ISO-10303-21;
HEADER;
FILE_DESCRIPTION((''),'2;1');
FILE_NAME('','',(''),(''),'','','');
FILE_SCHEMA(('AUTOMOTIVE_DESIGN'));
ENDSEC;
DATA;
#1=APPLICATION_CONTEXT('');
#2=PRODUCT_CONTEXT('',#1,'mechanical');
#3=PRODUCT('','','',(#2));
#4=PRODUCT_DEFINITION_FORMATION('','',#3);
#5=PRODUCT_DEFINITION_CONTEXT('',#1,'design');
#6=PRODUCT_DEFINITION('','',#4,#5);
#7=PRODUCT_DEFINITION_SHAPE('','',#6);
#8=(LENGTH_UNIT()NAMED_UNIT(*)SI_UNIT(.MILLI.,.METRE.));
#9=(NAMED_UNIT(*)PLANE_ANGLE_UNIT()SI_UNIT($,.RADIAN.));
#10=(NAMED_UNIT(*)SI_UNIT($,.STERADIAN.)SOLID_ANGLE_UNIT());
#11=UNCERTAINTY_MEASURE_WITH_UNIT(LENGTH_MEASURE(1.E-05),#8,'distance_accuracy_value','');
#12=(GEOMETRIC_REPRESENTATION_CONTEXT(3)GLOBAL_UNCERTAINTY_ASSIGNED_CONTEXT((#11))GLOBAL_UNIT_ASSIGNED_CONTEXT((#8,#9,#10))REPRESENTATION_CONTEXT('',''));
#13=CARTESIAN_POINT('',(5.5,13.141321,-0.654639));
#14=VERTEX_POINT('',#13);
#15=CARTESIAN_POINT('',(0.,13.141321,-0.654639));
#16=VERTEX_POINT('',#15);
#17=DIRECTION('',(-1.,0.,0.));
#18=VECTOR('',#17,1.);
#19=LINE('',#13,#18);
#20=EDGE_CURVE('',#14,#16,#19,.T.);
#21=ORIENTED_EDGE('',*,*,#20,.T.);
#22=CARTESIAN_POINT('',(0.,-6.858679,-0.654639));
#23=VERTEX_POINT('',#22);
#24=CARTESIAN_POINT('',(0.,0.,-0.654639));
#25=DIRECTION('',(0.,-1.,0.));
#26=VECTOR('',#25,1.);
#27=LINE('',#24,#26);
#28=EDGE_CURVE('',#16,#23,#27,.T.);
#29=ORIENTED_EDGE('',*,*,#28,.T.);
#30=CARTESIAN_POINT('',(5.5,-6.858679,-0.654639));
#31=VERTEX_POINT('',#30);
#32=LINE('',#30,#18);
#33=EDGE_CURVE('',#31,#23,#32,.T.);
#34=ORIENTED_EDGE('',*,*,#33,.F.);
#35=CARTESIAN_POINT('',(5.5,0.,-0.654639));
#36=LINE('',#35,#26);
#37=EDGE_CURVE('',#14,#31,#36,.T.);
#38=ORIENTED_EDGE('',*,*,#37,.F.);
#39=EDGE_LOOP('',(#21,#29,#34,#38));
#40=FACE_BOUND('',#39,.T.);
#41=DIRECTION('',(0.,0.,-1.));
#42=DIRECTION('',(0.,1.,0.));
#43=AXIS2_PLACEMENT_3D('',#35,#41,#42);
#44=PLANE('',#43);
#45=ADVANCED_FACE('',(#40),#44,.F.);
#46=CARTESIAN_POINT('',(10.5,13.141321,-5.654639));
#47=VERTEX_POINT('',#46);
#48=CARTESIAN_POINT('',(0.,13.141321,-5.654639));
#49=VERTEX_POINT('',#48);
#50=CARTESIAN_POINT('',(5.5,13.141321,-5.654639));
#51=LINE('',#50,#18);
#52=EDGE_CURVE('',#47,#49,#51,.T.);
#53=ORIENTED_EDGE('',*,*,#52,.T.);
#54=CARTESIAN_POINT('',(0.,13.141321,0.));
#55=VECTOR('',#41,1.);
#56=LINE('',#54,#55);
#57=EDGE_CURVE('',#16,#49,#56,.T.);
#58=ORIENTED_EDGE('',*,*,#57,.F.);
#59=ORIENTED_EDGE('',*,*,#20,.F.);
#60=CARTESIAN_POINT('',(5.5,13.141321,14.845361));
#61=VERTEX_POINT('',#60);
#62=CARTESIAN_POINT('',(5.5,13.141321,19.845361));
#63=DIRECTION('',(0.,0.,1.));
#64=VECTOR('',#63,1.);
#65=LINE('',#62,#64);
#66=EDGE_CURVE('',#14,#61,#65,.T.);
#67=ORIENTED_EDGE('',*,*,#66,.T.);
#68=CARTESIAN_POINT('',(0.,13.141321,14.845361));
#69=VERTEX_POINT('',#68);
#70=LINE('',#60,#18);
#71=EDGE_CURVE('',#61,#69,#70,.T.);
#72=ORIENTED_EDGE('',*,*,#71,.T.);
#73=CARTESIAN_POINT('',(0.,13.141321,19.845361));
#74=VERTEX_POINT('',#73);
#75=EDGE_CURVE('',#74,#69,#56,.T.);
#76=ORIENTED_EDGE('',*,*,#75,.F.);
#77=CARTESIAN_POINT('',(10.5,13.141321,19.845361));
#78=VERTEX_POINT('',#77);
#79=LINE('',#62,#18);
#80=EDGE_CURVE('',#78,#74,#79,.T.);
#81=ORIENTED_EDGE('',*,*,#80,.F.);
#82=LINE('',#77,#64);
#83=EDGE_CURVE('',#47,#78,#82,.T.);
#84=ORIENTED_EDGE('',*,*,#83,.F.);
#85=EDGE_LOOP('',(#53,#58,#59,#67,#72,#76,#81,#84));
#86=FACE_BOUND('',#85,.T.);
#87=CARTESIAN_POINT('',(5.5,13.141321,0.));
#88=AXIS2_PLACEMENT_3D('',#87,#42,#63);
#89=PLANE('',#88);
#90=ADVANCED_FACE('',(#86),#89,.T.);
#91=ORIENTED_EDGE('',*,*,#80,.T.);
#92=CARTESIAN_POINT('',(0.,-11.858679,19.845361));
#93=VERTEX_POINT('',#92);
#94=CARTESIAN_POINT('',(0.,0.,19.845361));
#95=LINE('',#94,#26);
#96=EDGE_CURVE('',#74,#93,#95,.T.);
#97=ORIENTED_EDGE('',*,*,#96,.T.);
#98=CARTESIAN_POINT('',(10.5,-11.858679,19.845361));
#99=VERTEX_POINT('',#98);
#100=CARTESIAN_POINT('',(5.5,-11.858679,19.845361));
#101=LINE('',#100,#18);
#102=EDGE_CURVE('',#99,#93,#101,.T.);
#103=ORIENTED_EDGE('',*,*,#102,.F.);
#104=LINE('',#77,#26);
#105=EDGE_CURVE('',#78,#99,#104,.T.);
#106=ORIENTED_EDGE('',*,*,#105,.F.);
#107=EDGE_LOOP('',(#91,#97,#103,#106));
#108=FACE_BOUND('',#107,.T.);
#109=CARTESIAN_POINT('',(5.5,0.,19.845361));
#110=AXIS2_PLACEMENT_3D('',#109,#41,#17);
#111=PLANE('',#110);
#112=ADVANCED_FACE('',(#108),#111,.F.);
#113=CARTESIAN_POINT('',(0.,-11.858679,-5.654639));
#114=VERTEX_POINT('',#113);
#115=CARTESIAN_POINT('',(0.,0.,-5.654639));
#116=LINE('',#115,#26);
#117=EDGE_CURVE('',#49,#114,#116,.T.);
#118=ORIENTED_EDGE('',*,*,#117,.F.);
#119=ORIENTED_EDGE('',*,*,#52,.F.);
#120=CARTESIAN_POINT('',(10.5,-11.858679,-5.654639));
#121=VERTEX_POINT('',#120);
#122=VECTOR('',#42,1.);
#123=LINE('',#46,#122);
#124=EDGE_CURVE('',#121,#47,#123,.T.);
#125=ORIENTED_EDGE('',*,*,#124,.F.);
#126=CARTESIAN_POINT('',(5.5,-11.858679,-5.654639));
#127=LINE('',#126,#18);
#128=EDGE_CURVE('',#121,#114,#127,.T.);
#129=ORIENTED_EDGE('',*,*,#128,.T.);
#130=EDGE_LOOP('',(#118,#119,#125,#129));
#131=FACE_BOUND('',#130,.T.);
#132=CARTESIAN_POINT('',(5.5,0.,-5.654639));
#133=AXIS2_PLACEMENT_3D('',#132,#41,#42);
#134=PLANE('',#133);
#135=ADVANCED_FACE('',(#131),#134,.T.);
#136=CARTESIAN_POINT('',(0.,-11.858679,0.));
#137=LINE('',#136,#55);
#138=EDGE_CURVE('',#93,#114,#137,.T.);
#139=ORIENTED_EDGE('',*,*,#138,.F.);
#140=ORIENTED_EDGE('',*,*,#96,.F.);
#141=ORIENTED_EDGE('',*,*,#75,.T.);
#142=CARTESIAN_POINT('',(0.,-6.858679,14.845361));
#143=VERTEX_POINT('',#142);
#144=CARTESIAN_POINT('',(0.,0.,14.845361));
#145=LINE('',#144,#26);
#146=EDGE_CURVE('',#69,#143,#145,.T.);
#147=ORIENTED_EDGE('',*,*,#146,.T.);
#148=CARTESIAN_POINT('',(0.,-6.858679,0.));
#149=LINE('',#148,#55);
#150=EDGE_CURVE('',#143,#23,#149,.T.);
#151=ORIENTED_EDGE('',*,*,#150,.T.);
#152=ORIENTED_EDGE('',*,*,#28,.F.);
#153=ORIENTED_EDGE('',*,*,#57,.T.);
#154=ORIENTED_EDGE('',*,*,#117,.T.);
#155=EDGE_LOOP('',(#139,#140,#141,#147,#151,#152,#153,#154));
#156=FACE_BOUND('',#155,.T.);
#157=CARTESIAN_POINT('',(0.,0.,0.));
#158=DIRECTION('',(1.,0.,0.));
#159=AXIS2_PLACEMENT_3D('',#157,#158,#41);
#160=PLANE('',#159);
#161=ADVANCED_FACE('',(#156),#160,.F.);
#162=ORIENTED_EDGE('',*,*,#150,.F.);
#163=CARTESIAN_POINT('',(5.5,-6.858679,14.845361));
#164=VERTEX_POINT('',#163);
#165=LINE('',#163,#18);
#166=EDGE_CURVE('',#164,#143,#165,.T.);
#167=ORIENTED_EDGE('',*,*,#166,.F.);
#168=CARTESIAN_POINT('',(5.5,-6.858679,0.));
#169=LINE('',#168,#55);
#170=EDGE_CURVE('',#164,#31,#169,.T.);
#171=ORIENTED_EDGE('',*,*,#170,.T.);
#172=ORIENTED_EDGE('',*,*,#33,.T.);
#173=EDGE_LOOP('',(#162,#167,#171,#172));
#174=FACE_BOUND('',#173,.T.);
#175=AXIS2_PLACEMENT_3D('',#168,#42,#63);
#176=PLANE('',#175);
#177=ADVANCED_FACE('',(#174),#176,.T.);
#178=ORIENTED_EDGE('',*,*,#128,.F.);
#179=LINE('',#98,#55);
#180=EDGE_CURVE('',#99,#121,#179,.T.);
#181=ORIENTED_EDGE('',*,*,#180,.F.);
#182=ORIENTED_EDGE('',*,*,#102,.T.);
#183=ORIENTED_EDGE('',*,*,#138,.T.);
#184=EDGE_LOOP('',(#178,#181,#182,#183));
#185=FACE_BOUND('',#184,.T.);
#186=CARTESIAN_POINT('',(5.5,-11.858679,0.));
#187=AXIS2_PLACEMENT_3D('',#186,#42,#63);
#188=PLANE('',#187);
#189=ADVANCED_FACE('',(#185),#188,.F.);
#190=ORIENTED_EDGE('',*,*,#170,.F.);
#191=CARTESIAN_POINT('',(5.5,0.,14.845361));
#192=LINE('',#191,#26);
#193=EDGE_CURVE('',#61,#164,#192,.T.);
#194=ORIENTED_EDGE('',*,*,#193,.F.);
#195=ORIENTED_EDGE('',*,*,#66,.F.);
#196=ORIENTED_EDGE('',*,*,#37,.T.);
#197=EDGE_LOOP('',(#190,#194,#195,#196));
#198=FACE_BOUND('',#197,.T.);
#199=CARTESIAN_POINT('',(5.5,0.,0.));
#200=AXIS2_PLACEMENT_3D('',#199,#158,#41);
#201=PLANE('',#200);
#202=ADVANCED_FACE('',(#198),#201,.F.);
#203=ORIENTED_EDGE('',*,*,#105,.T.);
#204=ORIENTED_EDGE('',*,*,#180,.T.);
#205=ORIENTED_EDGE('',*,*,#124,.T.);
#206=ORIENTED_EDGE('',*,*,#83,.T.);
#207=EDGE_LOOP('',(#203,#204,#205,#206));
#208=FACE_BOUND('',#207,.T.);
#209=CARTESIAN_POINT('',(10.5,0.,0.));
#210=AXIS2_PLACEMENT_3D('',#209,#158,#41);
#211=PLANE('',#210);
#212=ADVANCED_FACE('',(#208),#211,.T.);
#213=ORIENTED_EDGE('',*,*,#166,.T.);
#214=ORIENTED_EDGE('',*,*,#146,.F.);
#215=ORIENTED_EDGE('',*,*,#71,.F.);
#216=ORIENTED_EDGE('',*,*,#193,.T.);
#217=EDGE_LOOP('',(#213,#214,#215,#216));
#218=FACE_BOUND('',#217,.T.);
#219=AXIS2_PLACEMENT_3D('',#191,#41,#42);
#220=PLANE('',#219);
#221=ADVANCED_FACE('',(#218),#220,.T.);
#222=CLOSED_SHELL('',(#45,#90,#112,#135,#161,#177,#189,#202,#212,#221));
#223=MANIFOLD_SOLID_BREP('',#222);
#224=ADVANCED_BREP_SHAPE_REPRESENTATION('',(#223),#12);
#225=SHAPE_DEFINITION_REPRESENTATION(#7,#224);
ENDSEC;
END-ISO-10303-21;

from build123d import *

# Parameters (mm, degrees)
BOSS_EXTRUDE1_DEPTH = 5.5
SKETCH2_W           = 25.5
SKETCH2_H           = 25
BOSS_EXTRUDE2_DEPTH = 5


with BuildPart() as part:
    # Sketch1 → Boss-Extrude1 (new body)
    with BuildSketch(Plane(origin=(0, 0, 0), x_dir=(0, 0, -1), z_dir=(1, 0, 0))):
        Polygon((-14.845360825, -6.858679442), (-14.845360825, 13.141320558), (-19.845360825, 13.141320558), (-19.845360825, -11.858679442), (5.654639175, -11.858679442), (5.654639175, 13.141320558), (0.654639175, 13.141320558), (0.654639175, -6.858679442), align=None)
    extrude(amount=BOSS_EXTRUDE1_DEPTH)

    # Sketch2 → Boss-Extrude2 (add)
    with BuildSketch(Plane(origin=(5.5, 0, 0), x_dir=(0, 0, -1), z_dir=(1, 0, 0))):
        with Locations((-7.095360825, 0.641320558)):
            Rectangle(SKETCH2_W, SKETCH2_H)
    extrude(amount=BOSS_EXTRUDE2_DEPTH)


solid = part.part
